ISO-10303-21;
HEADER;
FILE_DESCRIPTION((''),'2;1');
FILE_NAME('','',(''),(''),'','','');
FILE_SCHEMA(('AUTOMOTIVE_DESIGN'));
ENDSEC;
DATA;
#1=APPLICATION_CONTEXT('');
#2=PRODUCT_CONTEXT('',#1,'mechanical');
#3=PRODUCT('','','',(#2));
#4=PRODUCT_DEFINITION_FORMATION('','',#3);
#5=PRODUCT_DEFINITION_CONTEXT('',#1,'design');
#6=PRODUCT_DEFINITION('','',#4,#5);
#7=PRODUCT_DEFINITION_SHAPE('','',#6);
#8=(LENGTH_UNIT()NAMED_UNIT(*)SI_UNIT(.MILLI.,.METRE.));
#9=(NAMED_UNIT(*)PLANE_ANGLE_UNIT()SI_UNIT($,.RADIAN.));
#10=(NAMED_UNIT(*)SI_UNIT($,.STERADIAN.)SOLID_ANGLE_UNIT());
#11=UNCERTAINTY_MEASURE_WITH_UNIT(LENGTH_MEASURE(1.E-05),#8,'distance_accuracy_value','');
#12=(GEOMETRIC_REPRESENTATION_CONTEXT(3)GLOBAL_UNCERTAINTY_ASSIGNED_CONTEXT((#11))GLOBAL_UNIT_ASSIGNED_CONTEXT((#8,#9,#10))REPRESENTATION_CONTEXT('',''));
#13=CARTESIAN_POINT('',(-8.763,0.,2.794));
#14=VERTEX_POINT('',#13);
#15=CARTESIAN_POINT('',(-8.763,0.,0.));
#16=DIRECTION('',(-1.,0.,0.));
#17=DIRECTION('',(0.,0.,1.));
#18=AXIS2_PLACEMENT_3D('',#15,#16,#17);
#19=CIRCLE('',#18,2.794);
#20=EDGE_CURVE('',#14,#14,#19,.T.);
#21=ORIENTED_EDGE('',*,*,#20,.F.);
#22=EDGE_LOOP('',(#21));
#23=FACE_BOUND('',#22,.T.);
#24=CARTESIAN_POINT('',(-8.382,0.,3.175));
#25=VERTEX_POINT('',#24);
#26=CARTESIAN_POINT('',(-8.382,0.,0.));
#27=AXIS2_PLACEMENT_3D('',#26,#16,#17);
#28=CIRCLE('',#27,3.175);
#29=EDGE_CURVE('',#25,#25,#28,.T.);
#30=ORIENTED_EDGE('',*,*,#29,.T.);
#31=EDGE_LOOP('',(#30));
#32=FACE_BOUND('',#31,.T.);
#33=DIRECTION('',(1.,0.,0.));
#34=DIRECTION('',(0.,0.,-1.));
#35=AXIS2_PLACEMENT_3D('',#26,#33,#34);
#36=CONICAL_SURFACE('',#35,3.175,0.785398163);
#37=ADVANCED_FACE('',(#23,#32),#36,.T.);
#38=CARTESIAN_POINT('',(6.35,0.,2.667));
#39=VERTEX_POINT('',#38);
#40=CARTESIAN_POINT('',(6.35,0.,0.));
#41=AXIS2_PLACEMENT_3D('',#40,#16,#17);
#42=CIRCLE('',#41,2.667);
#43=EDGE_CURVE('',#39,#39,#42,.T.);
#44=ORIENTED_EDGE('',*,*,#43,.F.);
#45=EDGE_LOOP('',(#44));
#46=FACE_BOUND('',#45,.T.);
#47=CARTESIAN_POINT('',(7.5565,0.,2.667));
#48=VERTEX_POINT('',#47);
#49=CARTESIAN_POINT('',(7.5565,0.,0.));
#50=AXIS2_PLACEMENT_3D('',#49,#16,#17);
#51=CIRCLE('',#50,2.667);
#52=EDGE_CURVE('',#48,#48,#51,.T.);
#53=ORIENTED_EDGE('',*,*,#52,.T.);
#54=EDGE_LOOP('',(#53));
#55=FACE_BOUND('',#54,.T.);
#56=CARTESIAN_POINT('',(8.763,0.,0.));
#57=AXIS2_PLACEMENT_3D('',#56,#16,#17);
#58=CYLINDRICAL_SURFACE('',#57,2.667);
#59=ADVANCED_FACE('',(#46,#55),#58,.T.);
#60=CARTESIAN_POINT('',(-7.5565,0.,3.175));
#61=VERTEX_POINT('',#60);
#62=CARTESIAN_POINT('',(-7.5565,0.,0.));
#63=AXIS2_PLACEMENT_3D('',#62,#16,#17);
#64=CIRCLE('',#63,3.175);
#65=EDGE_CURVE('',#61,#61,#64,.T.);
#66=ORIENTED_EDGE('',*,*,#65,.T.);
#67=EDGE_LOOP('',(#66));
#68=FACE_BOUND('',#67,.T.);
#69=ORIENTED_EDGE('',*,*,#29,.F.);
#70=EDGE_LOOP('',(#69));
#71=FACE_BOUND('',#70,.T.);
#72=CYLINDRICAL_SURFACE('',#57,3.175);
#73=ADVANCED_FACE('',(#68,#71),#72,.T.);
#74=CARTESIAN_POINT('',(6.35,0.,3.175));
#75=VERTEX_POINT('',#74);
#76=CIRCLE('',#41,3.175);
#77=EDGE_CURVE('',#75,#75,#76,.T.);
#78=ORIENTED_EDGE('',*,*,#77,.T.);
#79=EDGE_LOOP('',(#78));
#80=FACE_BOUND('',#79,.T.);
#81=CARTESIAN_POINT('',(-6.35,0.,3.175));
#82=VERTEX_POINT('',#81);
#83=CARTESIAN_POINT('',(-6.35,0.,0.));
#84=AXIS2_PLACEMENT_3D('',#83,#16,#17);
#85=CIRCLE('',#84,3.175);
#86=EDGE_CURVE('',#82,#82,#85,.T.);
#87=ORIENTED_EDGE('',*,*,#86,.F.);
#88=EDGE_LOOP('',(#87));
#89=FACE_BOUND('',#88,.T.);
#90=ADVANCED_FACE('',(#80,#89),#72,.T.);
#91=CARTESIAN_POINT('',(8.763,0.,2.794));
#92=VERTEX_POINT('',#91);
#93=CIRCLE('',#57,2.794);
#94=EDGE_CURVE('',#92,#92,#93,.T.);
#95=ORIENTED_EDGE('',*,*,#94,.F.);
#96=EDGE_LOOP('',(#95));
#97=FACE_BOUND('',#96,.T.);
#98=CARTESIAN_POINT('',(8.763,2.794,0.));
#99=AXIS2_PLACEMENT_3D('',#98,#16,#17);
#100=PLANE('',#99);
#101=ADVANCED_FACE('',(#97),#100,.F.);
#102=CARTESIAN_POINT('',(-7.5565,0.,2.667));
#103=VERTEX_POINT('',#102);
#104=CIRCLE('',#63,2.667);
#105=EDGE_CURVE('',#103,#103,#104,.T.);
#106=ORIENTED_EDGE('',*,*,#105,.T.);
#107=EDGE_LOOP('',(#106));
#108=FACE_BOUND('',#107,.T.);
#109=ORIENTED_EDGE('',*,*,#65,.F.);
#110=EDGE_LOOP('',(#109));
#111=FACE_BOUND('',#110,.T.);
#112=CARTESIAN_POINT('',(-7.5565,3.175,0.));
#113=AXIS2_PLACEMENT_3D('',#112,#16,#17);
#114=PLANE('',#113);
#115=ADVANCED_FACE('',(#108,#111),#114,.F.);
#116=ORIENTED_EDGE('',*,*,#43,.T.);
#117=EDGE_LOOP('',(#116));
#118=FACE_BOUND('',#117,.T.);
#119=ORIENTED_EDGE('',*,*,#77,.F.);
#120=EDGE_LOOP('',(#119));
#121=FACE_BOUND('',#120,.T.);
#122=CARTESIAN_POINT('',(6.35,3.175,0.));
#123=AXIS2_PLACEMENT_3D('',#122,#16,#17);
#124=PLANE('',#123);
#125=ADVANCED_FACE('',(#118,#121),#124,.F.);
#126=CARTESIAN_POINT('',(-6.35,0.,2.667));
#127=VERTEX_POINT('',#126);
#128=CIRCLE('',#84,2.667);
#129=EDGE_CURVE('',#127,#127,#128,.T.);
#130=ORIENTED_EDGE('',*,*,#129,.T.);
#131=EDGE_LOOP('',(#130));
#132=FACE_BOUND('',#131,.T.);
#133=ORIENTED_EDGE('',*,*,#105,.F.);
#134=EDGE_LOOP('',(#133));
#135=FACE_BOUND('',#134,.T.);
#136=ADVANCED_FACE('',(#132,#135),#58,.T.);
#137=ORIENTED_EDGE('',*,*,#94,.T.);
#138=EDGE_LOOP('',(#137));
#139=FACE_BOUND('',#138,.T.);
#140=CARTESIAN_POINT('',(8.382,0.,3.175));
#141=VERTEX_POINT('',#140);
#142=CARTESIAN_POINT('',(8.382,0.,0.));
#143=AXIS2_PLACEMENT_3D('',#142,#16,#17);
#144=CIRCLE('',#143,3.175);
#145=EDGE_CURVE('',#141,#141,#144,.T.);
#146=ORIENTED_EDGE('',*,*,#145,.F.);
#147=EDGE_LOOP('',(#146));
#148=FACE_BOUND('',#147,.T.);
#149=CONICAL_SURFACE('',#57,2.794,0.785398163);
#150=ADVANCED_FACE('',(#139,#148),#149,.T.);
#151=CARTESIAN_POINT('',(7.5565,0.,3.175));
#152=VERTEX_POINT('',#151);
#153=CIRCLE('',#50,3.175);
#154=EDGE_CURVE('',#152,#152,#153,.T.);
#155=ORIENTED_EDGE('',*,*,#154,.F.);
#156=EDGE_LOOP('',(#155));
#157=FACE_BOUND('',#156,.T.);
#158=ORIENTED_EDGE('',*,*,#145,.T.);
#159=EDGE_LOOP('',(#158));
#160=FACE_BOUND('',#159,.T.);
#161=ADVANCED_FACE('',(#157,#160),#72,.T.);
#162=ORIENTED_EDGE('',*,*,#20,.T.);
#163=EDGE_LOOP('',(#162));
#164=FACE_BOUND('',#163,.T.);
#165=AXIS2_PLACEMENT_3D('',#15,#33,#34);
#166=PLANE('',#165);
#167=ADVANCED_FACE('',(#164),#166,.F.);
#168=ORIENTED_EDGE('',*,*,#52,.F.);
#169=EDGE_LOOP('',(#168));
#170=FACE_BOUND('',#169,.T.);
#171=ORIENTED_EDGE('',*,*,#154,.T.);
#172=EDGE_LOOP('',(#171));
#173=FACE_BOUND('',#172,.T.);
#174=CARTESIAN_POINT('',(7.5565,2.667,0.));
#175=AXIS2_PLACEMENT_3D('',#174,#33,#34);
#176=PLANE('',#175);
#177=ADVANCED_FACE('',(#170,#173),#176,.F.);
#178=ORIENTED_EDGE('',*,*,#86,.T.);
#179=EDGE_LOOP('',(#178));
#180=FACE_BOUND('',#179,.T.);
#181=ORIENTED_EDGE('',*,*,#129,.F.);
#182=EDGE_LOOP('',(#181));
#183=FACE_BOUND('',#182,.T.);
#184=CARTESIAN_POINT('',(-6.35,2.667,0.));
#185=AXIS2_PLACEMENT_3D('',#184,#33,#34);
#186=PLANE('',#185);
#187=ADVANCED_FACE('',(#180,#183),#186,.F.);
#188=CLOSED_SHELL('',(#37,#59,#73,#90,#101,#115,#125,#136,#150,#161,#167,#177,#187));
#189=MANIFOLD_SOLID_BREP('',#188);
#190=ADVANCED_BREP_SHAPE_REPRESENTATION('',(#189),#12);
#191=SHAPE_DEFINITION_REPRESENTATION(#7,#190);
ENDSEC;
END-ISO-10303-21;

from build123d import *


with BuildPart() as part:
    # Sketch1 → Revolve1 (revolve)
    with BuildSketch(Plane.XY):
        Polygon((-8.763, 0), (-8.763, 2.794), (-8.382, 3.175), (-7.5565, 3.175), (-7.5565, 2.667), (-6.35, 2.667), (-6.35, 3.175), (6.35, 3.175), (6.35, 2.667), (7.5565, 2.667), (7.5565, 3.175), (8.382, 3.175), (8.763, 2.794), (8.763, 0), align=None)
    revolve(axis=Axis((8.763, 0, 0), (-1, 0, 0)))


solid = part.part
